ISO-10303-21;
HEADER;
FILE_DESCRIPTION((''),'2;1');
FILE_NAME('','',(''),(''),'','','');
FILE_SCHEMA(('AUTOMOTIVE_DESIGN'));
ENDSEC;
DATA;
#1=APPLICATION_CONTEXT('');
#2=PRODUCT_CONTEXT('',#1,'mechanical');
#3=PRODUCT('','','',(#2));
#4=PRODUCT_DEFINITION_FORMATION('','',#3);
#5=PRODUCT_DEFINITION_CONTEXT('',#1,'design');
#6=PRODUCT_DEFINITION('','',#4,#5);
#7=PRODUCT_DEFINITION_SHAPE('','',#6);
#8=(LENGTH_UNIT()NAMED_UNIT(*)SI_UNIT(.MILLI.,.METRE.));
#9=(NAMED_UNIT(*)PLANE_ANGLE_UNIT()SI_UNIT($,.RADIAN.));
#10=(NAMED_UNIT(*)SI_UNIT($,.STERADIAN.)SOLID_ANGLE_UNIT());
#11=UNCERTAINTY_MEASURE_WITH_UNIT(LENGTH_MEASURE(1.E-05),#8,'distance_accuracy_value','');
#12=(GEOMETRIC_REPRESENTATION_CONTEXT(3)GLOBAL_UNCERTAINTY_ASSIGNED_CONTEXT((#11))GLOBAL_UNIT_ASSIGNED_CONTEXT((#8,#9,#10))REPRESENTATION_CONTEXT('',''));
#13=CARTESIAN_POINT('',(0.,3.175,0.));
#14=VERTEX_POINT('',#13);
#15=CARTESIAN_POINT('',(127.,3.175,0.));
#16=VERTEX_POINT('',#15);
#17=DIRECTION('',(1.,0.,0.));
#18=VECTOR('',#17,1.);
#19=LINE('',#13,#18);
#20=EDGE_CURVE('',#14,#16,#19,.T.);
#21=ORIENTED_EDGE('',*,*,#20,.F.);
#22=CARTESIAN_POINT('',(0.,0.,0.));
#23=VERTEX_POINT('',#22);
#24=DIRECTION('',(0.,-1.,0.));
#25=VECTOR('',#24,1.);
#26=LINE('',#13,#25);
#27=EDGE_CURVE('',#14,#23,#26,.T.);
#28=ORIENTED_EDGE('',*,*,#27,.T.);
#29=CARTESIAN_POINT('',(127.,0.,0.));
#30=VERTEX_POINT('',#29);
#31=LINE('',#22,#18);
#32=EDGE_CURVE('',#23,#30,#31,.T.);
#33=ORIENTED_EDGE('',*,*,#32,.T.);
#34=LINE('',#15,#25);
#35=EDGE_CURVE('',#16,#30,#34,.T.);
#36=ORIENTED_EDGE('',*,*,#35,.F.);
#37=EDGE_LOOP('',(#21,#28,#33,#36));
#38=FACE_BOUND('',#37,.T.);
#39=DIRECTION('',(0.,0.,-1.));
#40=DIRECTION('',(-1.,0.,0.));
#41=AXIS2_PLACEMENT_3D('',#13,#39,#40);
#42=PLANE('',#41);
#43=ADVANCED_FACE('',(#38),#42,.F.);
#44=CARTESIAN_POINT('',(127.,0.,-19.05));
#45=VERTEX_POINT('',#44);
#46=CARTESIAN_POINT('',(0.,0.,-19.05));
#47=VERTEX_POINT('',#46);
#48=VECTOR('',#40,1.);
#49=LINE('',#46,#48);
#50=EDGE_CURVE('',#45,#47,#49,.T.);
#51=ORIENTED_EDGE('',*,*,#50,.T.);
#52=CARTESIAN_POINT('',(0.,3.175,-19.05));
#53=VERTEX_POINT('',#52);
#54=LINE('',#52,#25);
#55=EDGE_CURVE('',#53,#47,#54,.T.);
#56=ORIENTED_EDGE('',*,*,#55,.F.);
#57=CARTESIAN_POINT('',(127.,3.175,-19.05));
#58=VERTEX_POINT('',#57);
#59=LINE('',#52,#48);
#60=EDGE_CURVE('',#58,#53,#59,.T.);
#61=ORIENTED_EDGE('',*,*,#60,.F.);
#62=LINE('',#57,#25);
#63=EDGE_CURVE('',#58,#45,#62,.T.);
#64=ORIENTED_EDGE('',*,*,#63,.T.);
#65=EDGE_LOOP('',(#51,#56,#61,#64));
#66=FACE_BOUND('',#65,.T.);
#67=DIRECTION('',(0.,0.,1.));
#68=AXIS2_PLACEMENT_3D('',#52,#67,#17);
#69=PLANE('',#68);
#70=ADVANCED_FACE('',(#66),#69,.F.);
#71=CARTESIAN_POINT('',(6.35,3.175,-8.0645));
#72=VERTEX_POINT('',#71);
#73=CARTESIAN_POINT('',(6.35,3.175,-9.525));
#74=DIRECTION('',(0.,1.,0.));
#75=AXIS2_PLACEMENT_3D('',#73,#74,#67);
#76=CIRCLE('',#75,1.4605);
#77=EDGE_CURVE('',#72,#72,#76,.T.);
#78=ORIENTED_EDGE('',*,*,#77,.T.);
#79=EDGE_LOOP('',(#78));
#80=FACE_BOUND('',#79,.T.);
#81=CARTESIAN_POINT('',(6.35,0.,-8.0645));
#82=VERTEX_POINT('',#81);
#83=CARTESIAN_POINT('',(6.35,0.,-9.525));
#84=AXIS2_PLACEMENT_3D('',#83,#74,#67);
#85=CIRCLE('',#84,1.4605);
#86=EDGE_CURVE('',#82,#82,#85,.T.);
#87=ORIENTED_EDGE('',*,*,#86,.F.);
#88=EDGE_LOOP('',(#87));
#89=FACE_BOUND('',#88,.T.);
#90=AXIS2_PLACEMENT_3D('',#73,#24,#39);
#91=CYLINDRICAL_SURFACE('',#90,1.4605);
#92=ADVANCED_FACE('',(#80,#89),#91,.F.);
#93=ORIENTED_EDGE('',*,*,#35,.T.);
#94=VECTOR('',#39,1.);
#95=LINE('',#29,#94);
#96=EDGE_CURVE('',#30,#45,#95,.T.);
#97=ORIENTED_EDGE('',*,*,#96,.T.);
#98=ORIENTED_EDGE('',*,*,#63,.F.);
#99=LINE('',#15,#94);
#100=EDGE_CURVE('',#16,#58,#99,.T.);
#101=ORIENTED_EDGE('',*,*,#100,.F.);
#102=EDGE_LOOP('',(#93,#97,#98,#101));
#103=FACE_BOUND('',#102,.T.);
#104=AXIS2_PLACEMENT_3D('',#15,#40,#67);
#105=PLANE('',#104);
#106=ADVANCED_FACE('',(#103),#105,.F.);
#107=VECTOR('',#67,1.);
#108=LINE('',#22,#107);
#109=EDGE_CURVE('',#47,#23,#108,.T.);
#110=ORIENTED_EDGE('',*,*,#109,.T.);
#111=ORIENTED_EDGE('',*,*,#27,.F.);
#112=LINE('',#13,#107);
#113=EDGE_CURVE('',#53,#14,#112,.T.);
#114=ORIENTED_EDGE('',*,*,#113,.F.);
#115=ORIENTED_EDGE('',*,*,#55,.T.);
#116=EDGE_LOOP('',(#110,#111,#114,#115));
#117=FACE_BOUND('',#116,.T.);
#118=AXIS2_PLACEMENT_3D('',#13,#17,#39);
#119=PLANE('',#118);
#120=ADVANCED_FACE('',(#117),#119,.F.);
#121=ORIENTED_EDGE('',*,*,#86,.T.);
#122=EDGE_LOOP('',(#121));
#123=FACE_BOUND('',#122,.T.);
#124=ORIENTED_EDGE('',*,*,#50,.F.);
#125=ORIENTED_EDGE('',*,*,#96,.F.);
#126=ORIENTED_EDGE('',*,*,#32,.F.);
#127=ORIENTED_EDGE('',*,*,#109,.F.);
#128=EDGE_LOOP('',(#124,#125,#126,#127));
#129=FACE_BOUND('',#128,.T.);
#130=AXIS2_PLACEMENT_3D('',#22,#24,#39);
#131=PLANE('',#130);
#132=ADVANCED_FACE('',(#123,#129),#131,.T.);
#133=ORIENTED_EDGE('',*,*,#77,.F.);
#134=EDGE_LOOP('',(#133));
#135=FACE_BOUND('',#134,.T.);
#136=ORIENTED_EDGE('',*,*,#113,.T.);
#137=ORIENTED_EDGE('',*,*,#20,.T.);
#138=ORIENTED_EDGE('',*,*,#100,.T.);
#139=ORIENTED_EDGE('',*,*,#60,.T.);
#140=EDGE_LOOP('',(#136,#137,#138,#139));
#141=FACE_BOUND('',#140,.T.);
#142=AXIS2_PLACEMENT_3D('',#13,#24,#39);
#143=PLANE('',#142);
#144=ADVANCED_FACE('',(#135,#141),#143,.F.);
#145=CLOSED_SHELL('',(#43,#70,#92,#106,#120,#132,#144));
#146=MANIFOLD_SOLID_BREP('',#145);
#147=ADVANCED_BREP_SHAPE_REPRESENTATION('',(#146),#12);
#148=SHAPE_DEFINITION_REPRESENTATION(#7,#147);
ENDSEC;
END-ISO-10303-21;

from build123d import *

# Parameters (mm, degrees)
SKETCH1_W           = 127
SKETCH1_H           = 19.05
SKETCH1_R           = 1.4605
BOSS_EXTRUDE1_DEPTH = 3.175


with BuildPart() as part:
    # Sketch1 → Boss-Extrude1 (new body)
    with BuildSketch(Plane(origin=(0, 0, 0), x_dir=(1, 0, 0), z_dir=(0, 1, 0))):
        with Locations((63.5, 9.525)):
            Rectangle(SKETCH1_W, SKETCH1_H)
        with Locations(Location((6.35, 9.525, 0), (0, 0, 270))):
            Circle(SKETCH1_R, mode=Mode.SUBTRACT)
    extrude(amount=BOSS_EXTRUDE1_DEPTH)


solid = part.part
